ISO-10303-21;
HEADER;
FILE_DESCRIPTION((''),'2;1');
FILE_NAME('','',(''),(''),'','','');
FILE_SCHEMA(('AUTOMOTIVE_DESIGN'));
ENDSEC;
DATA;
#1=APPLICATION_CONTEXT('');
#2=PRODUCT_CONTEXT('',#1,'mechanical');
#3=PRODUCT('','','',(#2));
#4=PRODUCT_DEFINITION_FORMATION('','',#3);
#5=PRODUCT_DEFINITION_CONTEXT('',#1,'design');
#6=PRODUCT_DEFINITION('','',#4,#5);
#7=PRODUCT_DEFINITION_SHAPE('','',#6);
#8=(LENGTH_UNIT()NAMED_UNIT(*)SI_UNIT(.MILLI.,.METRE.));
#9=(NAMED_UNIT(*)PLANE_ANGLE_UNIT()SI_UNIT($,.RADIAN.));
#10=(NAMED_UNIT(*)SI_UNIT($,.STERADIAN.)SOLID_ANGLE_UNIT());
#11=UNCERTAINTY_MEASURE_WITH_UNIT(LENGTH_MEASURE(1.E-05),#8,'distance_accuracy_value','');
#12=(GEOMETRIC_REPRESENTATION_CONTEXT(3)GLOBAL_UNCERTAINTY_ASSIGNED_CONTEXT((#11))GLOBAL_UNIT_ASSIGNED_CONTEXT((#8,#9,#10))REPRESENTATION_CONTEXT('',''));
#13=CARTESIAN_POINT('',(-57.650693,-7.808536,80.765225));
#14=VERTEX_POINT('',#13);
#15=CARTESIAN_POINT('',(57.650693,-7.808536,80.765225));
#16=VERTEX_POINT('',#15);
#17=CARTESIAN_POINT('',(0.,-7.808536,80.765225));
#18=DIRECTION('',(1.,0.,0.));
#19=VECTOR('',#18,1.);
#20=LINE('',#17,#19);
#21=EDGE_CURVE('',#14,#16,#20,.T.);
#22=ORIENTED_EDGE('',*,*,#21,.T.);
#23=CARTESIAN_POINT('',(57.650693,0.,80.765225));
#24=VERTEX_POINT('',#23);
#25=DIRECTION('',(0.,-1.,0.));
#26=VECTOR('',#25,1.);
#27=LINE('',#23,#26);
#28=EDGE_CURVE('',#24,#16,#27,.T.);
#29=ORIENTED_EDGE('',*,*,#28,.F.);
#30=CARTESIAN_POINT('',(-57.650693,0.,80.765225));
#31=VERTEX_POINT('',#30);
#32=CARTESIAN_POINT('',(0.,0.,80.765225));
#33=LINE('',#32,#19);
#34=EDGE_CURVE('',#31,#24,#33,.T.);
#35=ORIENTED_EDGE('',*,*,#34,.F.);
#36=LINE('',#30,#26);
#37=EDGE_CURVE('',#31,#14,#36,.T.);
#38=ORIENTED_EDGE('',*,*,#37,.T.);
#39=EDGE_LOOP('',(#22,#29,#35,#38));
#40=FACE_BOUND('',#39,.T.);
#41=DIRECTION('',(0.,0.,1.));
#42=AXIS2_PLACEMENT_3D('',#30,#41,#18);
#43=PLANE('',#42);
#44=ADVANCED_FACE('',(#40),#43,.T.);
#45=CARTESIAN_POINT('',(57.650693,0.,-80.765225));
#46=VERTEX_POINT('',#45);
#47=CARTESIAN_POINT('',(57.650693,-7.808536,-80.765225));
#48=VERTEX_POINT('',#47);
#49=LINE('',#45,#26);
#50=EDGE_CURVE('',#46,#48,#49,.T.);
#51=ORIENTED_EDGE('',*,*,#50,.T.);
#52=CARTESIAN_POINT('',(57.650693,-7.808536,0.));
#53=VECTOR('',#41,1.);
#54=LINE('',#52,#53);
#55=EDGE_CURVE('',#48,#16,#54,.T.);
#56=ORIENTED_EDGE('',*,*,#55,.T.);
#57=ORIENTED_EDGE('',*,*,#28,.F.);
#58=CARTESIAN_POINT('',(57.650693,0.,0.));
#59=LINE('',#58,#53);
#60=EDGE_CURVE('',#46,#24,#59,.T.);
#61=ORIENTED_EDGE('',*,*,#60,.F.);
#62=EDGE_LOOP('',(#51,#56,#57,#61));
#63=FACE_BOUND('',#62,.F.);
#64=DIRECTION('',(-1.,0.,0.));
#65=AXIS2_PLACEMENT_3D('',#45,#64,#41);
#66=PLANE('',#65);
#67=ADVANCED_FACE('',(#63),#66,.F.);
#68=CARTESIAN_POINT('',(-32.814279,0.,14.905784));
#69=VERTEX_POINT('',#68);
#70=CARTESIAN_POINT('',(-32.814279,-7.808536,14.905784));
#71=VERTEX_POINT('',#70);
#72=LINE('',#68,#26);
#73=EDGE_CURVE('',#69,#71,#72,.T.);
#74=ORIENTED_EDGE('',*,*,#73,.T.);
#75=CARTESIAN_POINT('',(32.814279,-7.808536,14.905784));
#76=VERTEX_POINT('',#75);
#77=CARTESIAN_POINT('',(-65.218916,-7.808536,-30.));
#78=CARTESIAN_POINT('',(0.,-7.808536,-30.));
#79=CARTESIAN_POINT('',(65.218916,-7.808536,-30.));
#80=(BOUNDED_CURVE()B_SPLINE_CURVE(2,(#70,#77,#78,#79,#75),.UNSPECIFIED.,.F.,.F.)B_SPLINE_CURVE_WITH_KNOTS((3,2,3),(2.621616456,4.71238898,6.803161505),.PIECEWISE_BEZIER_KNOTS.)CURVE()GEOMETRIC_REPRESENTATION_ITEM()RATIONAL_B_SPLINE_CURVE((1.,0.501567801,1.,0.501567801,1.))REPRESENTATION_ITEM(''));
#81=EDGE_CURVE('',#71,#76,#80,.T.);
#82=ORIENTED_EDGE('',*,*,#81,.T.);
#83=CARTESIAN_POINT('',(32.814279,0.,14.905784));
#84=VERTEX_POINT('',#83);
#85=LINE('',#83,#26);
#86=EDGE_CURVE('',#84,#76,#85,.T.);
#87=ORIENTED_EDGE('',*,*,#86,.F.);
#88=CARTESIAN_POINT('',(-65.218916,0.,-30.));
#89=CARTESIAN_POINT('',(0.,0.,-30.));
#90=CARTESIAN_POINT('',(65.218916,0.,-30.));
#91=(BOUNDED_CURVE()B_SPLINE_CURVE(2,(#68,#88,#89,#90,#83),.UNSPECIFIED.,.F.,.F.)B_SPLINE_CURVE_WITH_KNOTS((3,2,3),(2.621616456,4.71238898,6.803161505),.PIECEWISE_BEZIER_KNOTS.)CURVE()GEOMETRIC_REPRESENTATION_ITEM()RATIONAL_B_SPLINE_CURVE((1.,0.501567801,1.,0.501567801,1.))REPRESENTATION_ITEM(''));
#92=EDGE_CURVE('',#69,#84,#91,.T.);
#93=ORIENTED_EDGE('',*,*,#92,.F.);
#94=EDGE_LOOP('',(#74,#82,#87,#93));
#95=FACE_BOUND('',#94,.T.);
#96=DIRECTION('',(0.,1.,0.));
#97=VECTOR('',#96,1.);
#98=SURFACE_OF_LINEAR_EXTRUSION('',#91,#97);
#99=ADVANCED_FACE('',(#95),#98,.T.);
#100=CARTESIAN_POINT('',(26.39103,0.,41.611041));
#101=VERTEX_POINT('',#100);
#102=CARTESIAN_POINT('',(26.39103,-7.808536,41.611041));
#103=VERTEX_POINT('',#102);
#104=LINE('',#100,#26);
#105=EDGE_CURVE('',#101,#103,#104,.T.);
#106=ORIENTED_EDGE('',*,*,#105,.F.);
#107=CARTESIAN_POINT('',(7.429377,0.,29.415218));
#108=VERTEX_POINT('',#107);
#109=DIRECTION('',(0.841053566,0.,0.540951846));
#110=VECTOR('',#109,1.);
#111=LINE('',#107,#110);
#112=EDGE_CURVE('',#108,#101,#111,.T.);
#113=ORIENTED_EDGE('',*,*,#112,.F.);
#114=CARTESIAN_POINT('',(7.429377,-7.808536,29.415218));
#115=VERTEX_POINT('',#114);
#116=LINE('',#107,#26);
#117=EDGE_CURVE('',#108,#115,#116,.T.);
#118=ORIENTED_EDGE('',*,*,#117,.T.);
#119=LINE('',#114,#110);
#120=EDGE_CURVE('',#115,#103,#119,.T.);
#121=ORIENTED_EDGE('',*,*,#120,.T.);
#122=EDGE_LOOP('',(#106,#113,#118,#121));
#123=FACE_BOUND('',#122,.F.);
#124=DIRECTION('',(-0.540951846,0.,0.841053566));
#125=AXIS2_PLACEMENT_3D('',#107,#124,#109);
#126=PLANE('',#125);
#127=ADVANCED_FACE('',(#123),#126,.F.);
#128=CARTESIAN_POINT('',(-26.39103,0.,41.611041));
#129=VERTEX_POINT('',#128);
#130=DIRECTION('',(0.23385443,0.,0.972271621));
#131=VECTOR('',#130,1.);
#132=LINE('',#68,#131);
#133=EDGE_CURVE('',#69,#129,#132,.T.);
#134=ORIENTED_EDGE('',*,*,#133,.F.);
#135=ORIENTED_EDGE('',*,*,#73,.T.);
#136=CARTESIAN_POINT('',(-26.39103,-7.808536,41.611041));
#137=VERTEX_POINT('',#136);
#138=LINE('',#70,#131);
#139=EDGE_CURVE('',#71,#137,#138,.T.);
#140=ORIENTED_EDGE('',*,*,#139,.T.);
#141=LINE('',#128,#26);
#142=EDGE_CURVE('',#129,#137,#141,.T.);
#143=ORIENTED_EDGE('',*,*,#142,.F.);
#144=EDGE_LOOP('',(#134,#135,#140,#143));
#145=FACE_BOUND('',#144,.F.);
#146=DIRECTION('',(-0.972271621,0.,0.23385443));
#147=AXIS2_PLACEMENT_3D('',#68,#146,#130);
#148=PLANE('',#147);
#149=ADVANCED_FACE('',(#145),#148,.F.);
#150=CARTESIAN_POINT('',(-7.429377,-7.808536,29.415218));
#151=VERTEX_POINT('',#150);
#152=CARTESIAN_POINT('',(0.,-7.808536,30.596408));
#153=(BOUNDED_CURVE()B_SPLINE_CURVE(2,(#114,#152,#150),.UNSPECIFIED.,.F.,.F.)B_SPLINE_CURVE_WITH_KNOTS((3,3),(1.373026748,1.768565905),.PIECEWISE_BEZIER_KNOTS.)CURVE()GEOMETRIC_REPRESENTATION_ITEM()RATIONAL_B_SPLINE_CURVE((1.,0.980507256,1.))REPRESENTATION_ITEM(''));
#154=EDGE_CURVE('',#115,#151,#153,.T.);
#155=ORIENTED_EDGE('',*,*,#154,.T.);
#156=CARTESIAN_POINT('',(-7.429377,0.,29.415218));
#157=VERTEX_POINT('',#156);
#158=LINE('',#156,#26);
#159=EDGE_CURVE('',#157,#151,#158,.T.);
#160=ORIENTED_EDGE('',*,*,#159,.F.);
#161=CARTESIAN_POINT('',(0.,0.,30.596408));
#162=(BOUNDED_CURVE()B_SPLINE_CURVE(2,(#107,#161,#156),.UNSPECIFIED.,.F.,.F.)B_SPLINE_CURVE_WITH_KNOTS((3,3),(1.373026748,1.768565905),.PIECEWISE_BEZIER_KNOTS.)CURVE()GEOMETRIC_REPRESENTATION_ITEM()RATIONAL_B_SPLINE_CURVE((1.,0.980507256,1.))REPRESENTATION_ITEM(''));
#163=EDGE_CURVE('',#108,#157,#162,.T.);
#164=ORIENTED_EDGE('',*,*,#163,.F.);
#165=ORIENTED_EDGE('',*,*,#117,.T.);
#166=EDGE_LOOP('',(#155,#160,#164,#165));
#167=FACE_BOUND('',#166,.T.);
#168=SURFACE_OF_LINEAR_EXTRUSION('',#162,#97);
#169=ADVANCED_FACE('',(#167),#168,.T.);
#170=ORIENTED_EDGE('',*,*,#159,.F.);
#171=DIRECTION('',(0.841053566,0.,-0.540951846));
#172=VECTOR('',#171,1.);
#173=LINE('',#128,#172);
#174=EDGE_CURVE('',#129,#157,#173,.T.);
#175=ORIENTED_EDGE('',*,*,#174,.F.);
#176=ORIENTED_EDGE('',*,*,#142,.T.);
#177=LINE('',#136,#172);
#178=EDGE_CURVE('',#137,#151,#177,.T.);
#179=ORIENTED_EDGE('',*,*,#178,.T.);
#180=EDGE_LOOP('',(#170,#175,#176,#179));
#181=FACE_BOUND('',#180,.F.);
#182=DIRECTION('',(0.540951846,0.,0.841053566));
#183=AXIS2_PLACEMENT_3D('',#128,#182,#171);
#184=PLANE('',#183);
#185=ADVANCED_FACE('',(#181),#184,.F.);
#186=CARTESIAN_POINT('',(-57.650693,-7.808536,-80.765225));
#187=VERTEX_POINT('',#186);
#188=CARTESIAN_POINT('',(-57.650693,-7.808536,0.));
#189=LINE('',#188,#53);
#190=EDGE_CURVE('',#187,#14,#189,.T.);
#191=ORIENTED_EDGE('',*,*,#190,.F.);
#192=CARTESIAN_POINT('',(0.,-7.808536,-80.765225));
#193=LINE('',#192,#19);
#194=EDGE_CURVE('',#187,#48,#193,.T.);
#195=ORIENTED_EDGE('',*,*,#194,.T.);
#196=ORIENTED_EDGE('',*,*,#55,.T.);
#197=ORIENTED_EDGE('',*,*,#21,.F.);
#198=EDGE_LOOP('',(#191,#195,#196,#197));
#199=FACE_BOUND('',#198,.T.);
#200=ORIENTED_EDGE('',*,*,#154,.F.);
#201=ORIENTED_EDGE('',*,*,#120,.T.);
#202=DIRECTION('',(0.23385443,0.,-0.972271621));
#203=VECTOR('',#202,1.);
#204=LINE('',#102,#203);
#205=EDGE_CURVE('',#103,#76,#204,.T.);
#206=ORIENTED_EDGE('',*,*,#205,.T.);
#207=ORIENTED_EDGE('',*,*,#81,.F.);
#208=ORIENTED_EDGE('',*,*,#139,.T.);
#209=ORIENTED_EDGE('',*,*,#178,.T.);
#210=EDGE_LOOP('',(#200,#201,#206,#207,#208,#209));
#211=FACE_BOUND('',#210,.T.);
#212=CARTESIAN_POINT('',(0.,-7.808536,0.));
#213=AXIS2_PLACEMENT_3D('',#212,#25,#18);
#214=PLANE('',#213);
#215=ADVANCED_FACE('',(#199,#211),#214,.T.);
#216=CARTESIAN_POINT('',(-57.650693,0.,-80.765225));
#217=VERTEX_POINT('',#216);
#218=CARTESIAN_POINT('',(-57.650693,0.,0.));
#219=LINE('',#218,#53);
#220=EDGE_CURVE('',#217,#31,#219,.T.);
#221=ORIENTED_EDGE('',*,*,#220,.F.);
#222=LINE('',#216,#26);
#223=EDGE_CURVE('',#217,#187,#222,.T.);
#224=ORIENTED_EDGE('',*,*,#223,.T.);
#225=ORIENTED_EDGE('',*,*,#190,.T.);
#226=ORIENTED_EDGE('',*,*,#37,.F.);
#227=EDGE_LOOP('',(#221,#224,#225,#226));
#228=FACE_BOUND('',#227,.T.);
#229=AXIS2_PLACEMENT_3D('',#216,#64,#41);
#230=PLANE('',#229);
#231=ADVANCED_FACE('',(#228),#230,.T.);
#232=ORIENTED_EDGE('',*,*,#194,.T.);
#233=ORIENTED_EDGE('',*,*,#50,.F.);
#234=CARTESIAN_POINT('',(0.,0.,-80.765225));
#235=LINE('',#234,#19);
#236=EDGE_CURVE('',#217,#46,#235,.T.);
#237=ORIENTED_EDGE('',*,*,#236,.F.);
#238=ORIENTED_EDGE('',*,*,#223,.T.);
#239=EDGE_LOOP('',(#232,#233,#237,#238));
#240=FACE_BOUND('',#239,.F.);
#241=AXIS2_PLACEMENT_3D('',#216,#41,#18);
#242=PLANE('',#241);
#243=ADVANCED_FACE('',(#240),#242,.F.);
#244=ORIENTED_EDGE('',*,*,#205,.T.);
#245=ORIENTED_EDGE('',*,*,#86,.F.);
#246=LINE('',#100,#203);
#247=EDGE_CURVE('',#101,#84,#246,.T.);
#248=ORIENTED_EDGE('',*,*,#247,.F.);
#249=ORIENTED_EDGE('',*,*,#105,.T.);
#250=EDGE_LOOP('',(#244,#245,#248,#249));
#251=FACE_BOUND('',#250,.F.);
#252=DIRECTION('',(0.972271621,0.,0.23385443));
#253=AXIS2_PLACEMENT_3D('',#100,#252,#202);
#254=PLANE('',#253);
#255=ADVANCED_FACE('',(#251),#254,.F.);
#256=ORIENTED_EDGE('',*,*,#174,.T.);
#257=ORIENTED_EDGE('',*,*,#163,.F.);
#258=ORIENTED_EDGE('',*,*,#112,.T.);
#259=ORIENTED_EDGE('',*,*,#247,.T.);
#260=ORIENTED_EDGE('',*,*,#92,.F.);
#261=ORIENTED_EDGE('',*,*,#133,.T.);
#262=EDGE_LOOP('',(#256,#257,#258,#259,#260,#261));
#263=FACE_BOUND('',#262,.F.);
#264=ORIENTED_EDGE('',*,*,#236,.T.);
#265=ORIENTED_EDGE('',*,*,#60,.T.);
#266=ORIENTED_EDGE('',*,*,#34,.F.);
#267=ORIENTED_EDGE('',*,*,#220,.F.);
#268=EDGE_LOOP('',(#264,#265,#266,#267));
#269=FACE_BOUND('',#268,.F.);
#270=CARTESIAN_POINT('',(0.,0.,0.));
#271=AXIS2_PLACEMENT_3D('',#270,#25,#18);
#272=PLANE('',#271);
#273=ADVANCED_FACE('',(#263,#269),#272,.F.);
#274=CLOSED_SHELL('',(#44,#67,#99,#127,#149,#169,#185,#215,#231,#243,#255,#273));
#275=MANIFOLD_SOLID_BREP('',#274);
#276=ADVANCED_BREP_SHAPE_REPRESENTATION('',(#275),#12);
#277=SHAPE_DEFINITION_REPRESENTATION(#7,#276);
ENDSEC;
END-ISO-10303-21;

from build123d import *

# Parameters (mm, degrees)
F1_W     = 115.3013855219
F1_H     = 161.5304499865
F0_DEPTH = 7.8085362911


with BuildPart() as f0:
    # F1 (on Front) → F0 (new body)
    with BuildSketch(Plane.XZ):
        Rectangle(F1_W, F1_H)
        with BuildLine():
            add(Edge.make_bspline(
                [(-32.8142790405, 14.9057844408), (-65.2189156405, -30), (0, -30), (65.2189156405, -30), (32.8142790405, 14.9057844408)],
                knots=[2.6216164562, 2.6216164562, 2.6216164562, 4.7123889804, 4.7123889804, 6.8031615046, 6.8031615046, 6.8031615046], degree=2, weights=[1, 0.5015678013, 1, 0.5015678013, 1]))
            Line((-32.8142790405, 14.9057844408), (-26.3910301017, 41.6110414867))
            Line((-26.3910301017, 41.6110414867), (-7.4293772614, 29.4152176808))
            add(Edge.make_bspline(
                [(7.4293772614, 29.4152176808), (0, 30.5964079466), (-7.4293772614, 29.4152176808)],
                knots=[1.3730267484, 1.3730267484, 1.3730267484, 1.7685659052, 1.7685659052, 1.7685659052], degree=2, weights=[1, 0.980507256, 1]))
            Line((7.4293772614, 29.4152176808), (26.3910301017, 41.6110414867))
            Line((26.3910301017, 41.6110414867), (32.8142790405, 14.9057844408))
        make_face(mode=Mode.SUBTRACT)
    extrude(amount=F0_DEPTH)


solid = f0.part
